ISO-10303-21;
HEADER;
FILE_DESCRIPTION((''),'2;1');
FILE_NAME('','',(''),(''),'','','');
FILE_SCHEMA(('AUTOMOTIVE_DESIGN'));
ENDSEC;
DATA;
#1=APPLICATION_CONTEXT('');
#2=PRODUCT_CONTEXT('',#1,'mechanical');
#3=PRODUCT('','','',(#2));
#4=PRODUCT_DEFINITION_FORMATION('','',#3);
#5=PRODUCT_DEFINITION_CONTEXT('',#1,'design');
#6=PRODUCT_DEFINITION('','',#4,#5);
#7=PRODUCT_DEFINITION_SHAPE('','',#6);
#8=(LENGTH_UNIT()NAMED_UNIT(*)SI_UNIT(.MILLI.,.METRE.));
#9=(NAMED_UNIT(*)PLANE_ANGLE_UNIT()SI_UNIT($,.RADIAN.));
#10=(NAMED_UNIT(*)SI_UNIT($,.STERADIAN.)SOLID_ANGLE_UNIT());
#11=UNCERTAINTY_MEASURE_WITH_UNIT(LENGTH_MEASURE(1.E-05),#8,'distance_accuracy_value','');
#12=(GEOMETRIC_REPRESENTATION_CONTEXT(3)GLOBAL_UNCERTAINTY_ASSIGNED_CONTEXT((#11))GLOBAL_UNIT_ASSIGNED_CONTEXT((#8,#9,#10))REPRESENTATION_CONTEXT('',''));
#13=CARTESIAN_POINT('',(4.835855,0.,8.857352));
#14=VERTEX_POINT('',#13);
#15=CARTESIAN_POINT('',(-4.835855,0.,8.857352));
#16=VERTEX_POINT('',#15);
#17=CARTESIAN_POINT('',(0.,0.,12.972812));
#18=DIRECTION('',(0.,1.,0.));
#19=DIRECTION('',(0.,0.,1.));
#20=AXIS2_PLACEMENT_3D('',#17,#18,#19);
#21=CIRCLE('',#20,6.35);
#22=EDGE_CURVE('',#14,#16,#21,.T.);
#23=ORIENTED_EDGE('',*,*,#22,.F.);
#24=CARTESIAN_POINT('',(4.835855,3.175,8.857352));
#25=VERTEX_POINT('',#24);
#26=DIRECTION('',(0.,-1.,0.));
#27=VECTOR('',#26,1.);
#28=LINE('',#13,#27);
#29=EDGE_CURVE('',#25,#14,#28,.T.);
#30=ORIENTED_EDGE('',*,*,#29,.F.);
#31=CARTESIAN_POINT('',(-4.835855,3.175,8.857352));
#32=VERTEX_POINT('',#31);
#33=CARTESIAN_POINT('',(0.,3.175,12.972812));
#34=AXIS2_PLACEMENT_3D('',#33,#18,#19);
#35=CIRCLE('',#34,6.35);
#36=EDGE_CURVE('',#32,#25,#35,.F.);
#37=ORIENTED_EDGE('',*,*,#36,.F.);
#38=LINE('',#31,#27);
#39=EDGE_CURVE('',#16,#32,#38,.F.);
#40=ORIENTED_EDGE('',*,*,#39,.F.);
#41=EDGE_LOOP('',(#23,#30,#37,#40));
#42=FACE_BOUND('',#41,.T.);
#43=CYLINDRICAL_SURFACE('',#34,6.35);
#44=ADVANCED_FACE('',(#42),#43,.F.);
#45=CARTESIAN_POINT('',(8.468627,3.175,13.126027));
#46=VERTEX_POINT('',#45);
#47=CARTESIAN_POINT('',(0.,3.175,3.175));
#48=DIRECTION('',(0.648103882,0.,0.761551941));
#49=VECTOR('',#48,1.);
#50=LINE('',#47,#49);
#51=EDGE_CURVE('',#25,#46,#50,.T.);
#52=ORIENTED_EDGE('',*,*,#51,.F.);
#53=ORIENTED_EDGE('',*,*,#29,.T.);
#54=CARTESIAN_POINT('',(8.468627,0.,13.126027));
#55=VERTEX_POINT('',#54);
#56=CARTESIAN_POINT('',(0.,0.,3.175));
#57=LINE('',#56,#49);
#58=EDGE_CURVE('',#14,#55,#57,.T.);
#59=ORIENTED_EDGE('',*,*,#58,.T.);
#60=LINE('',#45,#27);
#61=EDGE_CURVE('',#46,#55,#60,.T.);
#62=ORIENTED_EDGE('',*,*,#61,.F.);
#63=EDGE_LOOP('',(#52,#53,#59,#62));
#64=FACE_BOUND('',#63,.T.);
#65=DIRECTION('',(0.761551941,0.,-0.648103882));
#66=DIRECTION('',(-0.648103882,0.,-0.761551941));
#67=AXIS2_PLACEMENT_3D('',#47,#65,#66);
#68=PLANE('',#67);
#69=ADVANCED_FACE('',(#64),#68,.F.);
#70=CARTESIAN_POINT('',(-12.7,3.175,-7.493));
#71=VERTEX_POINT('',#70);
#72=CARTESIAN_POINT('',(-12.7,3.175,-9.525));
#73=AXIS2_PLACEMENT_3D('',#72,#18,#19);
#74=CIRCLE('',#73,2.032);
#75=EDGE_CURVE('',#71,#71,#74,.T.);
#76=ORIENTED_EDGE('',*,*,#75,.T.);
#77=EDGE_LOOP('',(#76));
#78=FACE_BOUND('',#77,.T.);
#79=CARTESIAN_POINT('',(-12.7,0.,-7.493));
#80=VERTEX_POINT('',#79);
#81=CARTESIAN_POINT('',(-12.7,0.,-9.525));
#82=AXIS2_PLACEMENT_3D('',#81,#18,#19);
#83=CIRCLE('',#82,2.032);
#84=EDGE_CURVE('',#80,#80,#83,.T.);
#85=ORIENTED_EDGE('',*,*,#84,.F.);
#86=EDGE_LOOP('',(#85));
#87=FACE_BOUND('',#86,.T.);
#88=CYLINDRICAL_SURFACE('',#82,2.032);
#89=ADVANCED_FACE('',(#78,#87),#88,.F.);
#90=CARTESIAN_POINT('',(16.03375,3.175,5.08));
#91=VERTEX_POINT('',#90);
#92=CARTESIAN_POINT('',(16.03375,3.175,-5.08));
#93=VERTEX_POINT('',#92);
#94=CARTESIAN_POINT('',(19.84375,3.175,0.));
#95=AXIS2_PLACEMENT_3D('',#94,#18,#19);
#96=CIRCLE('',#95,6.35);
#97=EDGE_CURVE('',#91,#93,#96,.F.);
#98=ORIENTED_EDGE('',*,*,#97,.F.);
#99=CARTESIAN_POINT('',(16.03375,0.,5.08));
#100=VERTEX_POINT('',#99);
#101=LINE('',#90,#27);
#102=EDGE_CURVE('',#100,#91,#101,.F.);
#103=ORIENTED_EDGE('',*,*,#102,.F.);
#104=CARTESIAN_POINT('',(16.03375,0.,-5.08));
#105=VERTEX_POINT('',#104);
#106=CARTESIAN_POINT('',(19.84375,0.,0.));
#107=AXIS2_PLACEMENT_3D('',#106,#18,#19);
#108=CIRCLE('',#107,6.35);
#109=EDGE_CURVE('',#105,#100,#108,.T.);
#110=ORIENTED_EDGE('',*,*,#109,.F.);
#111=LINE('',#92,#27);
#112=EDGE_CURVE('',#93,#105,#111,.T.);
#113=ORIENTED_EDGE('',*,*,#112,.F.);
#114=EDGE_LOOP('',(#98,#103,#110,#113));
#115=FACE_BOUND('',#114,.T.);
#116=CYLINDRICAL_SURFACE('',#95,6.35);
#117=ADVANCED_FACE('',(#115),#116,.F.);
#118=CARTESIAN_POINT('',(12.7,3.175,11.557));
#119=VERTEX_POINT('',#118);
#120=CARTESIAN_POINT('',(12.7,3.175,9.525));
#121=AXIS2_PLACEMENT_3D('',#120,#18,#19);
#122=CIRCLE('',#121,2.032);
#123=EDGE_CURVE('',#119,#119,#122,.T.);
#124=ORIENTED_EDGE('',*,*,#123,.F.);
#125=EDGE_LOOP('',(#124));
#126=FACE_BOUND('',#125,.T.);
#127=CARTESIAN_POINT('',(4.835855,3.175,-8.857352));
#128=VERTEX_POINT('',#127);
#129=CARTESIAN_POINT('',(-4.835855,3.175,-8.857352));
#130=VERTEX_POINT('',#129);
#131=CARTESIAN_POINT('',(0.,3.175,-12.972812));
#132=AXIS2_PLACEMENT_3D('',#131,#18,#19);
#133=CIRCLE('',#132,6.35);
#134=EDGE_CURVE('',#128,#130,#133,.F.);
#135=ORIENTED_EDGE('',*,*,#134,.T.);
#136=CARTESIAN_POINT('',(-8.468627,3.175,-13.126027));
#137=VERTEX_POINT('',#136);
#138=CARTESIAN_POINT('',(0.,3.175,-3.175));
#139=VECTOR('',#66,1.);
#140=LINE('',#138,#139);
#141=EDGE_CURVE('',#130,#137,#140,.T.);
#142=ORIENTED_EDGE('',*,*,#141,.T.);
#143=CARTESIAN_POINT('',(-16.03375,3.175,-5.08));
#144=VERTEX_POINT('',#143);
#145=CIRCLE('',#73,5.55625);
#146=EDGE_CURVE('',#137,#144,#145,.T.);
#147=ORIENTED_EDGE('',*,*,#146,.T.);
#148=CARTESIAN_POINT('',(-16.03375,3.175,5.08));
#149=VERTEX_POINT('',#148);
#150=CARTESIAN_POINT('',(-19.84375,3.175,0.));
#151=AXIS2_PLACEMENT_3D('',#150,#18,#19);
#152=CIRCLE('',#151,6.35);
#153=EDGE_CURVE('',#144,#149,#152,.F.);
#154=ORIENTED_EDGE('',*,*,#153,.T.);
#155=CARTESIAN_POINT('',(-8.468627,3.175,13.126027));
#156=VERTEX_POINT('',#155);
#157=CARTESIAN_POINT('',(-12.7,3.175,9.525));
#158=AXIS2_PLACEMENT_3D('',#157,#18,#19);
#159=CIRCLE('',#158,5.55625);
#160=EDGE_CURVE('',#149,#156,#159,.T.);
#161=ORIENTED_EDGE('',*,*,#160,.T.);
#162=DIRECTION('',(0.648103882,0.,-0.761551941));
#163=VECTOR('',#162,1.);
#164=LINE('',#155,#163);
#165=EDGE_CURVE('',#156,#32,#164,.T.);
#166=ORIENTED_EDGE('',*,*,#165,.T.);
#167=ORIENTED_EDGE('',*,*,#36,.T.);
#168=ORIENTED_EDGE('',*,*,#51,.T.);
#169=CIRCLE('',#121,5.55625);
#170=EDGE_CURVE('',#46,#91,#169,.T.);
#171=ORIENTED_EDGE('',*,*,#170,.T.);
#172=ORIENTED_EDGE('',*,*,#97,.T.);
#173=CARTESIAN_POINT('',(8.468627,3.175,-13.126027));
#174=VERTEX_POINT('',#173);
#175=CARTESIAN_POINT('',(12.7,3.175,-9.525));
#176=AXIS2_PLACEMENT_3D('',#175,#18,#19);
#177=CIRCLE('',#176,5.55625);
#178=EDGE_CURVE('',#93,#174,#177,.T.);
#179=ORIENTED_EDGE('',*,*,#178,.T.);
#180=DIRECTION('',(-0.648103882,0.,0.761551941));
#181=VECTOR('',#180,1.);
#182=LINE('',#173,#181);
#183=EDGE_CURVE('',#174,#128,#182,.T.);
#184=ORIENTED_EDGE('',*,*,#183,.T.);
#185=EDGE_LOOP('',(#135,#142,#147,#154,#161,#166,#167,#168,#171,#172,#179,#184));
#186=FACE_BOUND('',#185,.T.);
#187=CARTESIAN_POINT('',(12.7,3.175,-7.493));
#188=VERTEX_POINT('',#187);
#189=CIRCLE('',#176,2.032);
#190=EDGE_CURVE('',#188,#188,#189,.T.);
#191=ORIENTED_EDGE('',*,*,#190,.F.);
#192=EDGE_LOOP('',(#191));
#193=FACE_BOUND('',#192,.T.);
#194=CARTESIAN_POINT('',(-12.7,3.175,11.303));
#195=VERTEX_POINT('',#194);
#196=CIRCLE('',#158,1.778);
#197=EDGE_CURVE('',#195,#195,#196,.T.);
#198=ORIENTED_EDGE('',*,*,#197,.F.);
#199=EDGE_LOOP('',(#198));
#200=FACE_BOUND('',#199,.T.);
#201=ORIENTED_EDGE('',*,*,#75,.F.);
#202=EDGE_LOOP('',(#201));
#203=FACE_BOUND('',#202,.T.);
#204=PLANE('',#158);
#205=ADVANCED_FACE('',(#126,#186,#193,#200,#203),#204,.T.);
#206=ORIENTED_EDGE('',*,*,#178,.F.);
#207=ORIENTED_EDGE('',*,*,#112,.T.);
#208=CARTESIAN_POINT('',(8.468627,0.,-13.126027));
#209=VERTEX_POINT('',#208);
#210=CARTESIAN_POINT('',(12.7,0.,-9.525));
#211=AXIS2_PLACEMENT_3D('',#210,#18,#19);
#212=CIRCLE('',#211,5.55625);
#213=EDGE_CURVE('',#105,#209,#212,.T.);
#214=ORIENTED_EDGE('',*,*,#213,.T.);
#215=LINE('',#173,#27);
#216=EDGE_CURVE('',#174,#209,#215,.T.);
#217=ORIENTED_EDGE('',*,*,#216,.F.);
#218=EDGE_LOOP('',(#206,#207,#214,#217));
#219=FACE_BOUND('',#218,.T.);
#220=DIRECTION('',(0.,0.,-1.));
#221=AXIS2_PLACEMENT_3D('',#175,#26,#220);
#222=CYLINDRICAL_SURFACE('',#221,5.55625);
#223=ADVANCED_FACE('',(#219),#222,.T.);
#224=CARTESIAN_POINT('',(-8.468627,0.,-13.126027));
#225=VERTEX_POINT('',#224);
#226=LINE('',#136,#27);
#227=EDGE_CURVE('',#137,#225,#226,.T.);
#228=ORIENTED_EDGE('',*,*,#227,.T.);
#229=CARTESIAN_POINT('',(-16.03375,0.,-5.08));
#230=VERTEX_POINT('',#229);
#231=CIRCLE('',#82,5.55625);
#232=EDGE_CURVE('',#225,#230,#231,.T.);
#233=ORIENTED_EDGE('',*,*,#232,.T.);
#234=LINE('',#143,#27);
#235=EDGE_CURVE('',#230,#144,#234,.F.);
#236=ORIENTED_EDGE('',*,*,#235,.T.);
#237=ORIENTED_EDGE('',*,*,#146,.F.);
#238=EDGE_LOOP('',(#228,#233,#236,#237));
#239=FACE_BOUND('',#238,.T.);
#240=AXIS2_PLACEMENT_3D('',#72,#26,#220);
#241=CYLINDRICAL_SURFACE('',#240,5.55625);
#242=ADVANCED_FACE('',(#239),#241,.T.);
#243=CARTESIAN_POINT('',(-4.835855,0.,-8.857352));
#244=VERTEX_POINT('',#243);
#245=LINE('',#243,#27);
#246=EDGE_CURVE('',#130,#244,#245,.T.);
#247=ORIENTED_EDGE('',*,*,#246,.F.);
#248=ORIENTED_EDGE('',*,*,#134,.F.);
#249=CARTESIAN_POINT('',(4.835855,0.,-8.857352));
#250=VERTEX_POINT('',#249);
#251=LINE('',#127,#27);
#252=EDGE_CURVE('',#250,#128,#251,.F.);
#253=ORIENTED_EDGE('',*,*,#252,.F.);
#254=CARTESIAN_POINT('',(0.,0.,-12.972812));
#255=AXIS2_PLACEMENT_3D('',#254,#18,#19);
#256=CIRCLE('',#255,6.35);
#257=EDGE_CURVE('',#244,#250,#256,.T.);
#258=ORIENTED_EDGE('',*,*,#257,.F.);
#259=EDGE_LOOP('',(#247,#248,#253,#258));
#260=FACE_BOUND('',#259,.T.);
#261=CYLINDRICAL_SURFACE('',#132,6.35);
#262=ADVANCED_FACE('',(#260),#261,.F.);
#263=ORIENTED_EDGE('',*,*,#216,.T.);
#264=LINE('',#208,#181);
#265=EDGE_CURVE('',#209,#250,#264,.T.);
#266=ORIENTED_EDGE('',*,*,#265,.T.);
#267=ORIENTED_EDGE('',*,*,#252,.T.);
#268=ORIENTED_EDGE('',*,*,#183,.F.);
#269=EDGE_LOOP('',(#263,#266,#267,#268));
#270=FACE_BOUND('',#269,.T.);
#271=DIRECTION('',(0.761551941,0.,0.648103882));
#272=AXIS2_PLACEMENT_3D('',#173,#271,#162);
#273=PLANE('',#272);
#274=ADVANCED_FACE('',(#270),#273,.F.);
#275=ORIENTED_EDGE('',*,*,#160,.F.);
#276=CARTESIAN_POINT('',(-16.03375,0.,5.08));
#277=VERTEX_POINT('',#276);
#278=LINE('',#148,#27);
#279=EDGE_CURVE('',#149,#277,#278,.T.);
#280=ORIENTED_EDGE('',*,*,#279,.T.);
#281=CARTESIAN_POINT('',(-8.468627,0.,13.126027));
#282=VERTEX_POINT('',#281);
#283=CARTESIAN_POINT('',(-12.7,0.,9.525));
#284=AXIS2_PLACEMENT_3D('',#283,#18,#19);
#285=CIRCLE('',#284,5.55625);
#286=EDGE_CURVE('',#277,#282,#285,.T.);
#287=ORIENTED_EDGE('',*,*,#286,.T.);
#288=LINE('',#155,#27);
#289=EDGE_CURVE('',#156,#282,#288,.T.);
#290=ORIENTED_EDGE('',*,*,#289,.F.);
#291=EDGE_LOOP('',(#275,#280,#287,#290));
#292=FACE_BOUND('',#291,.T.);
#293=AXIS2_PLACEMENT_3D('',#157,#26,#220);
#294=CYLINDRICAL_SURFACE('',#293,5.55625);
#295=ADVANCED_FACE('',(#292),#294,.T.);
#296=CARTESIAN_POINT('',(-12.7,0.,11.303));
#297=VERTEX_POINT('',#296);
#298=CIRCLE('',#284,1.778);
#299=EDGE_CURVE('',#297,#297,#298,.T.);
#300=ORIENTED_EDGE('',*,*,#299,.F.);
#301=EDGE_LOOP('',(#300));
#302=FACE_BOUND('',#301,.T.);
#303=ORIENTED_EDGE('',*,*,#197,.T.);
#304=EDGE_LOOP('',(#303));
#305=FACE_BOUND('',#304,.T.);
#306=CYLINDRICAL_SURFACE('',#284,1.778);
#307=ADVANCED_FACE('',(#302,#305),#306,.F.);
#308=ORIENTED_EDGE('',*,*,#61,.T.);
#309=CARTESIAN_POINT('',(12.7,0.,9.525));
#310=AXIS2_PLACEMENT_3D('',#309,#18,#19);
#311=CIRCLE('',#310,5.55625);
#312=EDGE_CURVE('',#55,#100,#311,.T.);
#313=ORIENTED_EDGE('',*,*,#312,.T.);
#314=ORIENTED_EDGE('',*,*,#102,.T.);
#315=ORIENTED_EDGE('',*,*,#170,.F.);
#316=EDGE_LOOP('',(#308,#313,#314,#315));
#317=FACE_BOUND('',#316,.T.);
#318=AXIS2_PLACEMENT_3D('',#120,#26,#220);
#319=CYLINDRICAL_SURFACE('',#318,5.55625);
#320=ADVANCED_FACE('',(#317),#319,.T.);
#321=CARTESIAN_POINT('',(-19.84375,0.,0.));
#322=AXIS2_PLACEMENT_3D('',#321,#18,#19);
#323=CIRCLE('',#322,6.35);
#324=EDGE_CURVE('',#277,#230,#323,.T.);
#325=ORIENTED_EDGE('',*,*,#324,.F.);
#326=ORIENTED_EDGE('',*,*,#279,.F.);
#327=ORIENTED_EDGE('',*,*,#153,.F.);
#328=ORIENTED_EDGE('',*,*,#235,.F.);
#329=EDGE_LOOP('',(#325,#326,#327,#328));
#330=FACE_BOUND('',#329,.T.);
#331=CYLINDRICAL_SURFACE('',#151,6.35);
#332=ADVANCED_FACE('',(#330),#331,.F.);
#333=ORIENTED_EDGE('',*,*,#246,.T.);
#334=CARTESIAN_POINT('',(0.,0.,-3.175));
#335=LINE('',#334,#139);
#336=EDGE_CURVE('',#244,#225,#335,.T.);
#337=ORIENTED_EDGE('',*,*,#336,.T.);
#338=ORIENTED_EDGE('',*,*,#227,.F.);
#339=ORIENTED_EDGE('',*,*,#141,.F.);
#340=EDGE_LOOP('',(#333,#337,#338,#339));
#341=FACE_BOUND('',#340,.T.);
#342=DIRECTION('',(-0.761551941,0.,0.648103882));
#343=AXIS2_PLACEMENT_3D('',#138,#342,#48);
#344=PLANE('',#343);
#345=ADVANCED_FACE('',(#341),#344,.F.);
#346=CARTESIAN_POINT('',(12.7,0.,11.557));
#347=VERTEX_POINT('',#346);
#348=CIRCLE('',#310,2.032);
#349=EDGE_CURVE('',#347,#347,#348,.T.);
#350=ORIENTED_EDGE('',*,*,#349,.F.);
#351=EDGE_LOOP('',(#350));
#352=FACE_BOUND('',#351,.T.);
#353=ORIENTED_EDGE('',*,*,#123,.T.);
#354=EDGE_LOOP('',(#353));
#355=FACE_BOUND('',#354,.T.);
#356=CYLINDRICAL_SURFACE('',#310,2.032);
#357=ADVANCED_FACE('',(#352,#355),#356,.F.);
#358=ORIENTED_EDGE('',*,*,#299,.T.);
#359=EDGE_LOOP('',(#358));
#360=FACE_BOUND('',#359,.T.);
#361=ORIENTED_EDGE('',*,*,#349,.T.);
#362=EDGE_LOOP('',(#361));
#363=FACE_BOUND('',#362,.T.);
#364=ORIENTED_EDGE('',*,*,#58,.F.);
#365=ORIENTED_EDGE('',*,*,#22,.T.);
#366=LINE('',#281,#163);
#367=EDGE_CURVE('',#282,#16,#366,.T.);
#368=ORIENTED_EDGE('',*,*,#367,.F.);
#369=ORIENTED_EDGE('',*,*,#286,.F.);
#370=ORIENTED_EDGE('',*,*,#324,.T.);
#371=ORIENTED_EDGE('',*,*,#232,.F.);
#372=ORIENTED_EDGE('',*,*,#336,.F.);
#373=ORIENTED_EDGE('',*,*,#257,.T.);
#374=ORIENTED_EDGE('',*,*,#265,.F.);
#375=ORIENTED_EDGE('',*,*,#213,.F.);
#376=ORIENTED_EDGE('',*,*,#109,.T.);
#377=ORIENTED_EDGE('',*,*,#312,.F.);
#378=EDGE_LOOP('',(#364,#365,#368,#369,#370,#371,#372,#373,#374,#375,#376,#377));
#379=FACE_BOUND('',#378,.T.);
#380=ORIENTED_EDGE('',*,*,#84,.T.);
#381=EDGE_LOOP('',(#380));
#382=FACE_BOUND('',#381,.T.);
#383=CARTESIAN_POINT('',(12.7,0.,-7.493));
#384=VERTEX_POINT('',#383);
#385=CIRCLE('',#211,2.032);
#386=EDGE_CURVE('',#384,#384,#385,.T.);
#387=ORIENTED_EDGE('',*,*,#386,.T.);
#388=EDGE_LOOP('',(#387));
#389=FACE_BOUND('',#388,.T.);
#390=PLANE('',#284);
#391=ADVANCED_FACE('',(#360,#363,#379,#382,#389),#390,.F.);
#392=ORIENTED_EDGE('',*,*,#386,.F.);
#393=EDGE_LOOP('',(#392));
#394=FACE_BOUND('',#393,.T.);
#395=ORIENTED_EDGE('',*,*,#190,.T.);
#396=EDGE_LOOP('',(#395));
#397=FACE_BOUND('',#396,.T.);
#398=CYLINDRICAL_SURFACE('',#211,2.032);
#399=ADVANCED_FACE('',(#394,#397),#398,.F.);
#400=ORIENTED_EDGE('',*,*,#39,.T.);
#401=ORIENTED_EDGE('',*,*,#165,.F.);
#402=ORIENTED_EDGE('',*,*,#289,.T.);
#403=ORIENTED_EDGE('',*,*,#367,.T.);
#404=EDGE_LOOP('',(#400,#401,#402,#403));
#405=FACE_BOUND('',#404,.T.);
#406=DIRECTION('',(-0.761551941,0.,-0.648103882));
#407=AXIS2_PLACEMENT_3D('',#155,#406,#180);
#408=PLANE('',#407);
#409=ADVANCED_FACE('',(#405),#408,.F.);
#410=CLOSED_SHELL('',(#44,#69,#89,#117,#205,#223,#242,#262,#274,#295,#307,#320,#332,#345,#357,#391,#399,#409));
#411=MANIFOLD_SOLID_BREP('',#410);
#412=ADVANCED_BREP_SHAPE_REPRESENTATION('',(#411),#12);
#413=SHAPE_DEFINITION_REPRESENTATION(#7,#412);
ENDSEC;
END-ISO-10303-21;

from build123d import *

# Parameters (mm, degrees)
BOSS_EXTRUDE1_DEPTH = 3.175
FILLET1_R           = 6.35
SKETCH2_R           = 2.032
SKETCH2_R_2         = 1.778
CUT_EXTRUDE1_DEPTH  = 24.8917433


with BuildPart() as part:
    # Sketch1 → Boss-Extrude1 (new body)
    with BuildSketch(Plane(origin=(0, 0, 0), x_dir=(1, 0, 0), z_dir=(0, 1, 0))):
        with BuildLine():
            Line((-8.468627029, -13.126027192), (0, -3.175))
            Line((0, -3.175), (8.468627029, -13.126027192))
            ThreePointArc((8.468627029, -13.126027192), (17.244713502, -12.721481385), (14.65849127, -4.325362897))
            Line((14.65849127, -4.325362897), (3.175, 0))
            Line((3.175, 0), (14.65849127, 4.325362897))
            ThreePointArc((14.65849127, 4.325362897), (17.244713502, 12.721481385), (8.468627029, 13.126027192))
            Line((8.468627029, 13.126027192), (0, 3.175))
            Line((0, 3.175), (-8.468627029, 13.126027192))
            ThreePointArc((-8.468627029, 13.126027192), (-17.244713502, 12.721481385), (-14.65849127, 4.325362897))
            Line((-14.65849127, 4.325362897), (-3.175, 0))
            Line((-3.175, 0), (-14.65849127, -4.325362897))
            ThreePointArc((-14.65849127, -4.325362897), (-17.244713502, -12.721481385), (-8.468627029, -13.126027192))
        make_face()
    extrude(amount=BOSS_EXTRUDE1_DEPTH)

    # Fillet1
    fillet1_edges = [part.edges().sort_by_distance(p)[0] for p in [
        (0, 1.5875, -3.175),
        (-3.175, 1.5875, 0),
        (3.175, 1.5875, 0),
        (0, 1.5875, 3.175),
    ]]
    fillet(fillet1_edges, radius=FILLET1_R)

    # Sketch2 → Cut-Extrude1 (cut, through all)
    with BuildSketch(Plane(origin=(0, 3.175, 0), x_dir=(1, 0, 0), z_dir=(0, 1, 0))):
        with Locations(Location((-12.7, 9.525, 0), (0, 0, 270))):
            Circle(SKETCH2_R)
        with Locations(Location((12.7, 9.525, 0), (0, 0, 270))):
            Circle(SKETCH2_R)
        with Locations(Location((12.7, -9.525, 0), (0, 0, 270))):
            Circle(SKETCH2_R)
        with Locations(Location((-12.7, -9.525, 0), (0, 0, 270))):
            Circle(SKETCH2_R_2)
    extrude(amount=-CUT_EXTRUDE1_DEPTH, mode=Mode.SUBTRACT)


solid = part.part
